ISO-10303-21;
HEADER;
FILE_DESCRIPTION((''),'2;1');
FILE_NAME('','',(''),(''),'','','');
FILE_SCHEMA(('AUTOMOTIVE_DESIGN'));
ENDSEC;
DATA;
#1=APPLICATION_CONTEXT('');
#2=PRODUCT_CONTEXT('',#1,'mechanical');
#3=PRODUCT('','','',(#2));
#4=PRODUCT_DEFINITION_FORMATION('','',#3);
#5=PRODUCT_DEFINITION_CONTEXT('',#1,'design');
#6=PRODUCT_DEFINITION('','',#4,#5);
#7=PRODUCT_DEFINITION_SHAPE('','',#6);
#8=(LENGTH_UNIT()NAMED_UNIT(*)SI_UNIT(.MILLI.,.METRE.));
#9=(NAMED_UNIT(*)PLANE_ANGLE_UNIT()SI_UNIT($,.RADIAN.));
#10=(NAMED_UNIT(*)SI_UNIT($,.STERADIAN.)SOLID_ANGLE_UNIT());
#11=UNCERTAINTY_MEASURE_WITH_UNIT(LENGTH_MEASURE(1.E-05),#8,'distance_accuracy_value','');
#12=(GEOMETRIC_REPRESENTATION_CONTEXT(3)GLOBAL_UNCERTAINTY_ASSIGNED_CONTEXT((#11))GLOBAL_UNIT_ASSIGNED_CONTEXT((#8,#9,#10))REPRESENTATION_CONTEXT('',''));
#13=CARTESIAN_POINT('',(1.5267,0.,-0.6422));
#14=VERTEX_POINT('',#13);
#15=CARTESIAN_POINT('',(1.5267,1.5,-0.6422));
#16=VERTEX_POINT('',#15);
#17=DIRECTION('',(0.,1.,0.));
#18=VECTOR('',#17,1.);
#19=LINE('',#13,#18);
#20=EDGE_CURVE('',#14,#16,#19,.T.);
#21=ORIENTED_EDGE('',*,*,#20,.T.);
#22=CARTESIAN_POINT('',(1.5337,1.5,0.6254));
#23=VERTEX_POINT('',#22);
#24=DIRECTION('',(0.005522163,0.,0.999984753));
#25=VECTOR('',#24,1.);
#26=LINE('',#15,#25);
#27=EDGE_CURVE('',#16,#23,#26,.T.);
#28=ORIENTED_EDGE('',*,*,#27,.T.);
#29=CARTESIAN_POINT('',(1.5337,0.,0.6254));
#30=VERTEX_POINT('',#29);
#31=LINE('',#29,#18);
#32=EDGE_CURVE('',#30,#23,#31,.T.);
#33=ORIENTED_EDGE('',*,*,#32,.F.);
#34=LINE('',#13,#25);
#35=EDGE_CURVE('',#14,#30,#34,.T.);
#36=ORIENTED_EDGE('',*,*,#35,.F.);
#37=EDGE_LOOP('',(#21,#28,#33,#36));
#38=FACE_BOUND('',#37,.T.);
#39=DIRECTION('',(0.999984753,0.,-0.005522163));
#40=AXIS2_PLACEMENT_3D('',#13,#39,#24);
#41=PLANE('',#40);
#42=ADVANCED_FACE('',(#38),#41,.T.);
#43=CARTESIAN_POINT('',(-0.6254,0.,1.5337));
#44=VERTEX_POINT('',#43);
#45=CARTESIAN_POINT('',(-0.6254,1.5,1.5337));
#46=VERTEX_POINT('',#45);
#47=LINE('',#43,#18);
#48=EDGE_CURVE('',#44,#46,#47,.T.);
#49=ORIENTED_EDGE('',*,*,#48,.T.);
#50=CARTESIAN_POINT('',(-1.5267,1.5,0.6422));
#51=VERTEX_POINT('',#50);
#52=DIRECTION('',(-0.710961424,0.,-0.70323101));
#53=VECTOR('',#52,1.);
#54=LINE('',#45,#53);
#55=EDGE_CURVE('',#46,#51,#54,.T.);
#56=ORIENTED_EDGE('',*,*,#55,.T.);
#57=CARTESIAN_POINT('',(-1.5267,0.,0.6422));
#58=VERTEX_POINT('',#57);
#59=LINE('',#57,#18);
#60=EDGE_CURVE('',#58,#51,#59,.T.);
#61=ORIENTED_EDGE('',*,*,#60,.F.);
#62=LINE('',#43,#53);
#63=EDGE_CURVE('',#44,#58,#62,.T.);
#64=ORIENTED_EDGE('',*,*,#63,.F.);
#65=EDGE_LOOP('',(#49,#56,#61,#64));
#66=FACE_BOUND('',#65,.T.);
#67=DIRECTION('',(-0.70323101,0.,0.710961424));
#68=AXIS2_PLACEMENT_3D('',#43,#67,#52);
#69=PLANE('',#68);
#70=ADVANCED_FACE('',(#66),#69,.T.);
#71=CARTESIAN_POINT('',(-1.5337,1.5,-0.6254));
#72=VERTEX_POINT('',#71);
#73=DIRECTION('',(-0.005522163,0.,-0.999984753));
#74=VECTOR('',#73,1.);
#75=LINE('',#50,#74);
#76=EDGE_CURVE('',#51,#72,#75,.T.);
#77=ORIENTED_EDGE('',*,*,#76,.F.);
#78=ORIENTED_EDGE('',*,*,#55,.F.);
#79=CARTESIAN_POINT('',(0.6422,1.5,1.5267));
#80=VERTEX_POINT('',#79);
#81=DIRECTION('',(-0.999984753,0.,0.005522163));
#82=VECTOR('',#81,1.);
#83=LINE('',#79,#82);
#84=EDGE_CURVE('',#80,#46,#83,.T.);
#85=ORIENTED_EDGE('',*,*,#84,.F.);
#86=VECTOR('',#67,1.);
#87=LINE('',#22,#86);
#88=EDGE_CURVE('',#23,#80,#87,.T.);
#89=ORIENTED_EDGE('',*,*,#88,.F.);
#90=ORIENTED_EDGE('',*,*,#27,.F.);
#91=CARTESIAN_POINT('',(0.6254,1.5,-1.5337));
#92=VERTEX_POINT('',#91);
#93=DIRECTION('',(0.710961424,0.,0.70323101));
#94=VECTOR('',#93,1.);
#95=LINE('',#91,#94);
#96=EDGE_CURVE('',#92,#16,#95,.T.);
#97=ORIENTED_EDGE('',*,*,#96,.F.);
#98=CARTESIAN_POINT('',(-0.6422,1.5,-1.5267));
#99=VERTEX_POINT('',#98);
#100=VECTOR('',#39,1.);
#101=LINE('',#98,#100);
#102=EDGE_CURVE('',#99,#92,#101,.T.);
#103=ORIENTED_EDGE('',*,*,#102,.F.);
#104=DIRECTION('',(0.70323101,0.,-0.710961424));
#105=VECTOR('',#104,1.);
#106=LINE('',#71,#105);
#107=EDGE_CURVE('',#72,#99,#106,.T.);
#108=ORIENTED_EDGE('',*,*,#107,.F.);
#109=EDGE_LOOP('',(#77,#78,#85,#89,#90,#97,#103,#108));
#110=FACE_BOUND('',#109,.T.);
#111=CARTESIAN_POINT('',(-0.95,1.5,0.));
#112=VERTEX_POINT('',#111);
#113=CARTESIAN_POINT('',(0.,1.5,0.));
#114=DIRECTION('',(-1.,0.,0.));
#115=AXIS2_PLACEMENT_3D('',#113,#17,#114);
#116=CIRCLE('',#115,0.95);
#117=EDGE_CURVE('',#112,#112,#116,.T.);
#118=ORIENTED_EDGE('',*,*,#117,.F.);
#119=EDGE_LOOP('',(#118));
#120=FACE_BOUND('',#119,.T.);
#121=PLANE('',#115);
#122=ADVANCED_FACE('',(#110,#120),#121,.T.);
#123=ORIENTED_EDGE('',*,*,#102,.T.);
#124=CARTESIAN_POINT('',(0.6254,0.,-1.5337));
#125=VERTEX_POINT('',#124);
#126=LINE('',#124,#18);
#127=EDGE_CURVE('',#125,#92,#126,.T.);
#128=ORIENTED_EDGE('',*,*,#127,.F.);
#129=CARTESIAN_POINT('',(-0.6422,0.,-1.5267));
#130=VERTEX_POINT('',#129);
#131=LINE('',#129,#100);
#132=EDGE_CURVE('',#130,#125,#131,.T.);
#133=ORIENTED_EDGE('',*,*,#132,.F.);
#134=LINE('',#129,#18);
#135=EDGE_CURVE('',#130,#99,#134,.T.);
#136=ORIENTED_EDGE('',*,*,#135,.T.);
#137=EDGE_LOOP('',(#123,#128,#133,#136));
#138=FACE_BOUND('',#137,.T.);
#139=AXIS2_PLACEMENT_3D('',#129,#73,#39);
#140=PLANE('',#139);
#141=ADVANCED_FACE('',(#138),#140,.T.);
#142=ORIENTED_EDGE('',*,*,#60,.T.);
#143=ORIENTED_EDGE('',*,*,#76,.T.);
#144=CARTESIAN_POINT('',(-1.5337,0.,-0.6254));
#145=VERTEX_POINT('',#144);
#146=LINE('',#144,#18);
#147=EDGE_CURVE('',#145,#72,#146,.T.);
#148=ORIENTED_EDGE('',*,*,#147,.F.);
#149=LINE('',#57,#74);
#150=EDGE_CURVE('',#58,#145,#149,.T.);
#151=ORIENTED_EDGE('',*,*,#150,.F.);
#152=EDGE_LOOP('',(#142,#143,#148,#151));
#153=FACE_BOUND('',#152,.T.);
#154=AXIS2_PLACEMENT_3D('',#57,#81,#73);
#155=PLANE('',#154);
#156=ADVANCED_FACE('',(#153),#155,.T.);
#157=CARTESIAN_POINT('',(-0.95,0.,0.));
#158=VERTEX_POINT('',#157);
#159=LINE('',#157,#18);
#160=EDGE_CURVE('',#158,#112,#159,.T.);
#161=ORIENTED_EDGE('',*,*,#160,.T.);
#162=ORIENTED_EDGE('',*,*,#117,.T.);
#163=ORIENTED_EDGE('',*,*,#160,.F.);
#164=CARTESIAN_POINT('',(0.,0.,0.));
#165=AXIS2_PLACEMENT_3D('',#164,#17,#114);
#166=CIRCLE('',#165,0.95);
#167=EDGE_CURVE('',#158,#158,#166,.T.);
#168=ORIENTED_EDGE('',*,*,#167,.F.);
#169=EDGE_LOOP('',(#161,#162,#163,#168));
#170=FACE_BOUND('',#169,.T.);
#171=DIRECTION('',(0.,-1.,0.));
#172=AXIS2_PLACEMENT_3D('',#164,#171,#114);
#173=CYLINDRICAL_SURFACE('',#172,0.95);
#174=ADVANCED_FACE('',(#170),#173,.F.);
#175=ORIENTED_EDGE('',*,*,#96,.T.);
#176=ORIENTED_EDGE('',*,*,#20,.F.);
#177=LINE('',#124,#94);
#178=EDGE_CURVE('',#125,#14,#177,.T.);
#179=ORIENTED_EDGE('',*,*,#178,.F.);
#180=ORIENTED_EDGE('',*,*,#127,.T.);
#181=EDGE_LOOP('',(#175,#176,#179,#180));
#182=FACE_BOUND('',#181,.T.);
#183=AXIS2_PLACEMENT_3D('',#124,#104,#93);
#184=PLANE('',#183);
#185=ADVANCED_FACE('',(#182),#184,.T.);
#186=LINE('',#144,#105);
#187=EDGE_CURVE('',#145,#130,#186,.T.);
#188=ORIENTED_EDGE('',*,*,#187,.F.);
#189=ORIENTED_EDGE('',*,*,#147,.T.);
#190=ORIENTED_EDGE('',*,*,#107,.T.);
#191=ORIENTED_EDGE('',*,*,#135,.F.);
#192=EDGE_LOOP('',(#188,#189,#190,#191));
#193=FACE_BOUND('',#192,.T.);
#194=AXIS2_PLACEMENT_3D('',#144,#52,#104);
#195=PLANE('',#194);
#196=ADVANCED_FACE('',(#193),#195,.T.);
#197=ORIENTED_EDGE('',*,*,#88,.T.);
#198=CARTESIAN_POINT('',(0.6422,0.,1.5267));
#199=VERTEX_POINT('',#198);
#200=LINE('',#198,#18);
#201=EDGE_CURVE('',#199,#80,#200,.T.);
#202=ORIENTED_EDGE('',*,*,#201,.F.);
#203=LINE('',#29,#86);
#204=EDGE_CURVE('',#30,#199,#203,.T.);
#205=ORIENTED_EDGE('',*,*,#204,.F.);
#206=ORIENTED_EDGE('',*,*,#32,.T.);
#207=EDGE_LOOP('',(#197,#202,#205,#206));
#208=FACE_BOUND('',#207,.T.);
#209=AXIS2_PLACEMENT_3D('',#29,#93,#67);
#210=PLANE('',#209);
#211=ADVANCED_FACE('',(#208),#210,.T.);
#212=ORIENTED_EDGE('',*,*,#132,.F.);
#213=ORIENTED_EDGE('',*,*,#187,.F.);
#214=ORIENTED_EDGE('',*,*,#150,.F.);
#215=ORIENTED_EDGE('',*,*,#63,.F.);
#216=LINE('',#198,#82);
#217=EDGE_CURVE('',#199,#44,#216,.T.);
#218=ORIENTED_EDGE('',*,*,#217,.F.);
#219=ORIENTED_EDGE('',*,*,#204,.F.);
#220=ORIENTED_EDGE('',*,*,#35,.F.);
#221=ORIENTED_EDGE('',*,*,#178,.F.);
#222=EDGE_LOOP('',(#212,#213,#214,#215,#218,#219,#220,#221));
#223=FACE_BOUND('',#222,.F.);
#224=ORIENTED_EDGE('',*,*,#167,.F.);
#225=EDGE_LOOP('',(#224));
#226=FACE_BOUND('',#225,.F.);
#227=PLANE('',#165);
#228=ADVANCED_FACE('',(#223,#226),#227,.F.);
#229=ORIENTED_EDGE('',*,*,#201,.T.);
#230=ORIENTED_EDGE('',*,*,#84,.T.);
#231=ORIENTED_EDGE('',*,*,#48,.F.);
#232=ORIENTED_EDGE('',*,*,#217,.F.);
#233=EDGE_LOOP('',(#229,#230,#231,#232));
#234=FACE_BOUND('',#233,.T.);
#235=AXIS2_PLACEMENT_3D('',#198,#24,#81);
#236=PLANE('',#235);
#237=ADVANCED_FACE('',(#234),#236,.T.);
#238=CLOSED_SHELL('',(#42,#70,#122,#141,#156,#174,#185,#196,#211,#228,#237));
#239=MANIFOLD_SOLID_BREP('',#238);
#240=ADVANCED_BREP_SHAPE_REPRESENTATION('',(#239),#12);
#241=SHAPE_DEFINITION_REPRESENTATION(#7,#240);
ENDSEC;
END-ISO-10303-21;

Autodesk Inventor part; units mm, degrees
ref_plane "YZ Plane" through (0, 0, 0) normal (1, 0, 0) x (0, 1, 0)
ref_plane "XZ Plane" through (0, 0, 0) normal (0, 1, 0) x (-1, 0, 0)
ref_plane "XY Plane" through (0, 0, 0) normal (0, 0, 1) x (1, 0, 0)
sketch "Sketch1" plane through (0, 0, 0) normal (0, 1, 0) x (-1, 0, 0)
  circle A0 centre (0, 0) radius 0.95
  line L0 (0.6422, -1.5267) -> (-0.6254, -1.5337)
  line L1 (-0.6254, -1.5337) -> (-1.5267, -0.6422)
  line L2 (-1.5267, -0.6422) -> (-1.5337, 0.6254)
  line L3 (-1.5337, 0.6254) -> (-0.6422, 1.5267)
  line L4 (-0.6422, 1.5267) -> (0.6254, 1.5337)
  line L5 (0.6254, 1.5337) -> (1.5267, 0.6422)
  line L6 (1.5267, 0.6422) -> (1.5337, -0.6254)
  line L7 (1.5337, -0.6254) -> (0.6422, -1.5267)
  dimension "d0" = 1.9
extrude "Extrusion1" add sketch "Sketch1" along normal blind 1.5
properties part number "nut"
